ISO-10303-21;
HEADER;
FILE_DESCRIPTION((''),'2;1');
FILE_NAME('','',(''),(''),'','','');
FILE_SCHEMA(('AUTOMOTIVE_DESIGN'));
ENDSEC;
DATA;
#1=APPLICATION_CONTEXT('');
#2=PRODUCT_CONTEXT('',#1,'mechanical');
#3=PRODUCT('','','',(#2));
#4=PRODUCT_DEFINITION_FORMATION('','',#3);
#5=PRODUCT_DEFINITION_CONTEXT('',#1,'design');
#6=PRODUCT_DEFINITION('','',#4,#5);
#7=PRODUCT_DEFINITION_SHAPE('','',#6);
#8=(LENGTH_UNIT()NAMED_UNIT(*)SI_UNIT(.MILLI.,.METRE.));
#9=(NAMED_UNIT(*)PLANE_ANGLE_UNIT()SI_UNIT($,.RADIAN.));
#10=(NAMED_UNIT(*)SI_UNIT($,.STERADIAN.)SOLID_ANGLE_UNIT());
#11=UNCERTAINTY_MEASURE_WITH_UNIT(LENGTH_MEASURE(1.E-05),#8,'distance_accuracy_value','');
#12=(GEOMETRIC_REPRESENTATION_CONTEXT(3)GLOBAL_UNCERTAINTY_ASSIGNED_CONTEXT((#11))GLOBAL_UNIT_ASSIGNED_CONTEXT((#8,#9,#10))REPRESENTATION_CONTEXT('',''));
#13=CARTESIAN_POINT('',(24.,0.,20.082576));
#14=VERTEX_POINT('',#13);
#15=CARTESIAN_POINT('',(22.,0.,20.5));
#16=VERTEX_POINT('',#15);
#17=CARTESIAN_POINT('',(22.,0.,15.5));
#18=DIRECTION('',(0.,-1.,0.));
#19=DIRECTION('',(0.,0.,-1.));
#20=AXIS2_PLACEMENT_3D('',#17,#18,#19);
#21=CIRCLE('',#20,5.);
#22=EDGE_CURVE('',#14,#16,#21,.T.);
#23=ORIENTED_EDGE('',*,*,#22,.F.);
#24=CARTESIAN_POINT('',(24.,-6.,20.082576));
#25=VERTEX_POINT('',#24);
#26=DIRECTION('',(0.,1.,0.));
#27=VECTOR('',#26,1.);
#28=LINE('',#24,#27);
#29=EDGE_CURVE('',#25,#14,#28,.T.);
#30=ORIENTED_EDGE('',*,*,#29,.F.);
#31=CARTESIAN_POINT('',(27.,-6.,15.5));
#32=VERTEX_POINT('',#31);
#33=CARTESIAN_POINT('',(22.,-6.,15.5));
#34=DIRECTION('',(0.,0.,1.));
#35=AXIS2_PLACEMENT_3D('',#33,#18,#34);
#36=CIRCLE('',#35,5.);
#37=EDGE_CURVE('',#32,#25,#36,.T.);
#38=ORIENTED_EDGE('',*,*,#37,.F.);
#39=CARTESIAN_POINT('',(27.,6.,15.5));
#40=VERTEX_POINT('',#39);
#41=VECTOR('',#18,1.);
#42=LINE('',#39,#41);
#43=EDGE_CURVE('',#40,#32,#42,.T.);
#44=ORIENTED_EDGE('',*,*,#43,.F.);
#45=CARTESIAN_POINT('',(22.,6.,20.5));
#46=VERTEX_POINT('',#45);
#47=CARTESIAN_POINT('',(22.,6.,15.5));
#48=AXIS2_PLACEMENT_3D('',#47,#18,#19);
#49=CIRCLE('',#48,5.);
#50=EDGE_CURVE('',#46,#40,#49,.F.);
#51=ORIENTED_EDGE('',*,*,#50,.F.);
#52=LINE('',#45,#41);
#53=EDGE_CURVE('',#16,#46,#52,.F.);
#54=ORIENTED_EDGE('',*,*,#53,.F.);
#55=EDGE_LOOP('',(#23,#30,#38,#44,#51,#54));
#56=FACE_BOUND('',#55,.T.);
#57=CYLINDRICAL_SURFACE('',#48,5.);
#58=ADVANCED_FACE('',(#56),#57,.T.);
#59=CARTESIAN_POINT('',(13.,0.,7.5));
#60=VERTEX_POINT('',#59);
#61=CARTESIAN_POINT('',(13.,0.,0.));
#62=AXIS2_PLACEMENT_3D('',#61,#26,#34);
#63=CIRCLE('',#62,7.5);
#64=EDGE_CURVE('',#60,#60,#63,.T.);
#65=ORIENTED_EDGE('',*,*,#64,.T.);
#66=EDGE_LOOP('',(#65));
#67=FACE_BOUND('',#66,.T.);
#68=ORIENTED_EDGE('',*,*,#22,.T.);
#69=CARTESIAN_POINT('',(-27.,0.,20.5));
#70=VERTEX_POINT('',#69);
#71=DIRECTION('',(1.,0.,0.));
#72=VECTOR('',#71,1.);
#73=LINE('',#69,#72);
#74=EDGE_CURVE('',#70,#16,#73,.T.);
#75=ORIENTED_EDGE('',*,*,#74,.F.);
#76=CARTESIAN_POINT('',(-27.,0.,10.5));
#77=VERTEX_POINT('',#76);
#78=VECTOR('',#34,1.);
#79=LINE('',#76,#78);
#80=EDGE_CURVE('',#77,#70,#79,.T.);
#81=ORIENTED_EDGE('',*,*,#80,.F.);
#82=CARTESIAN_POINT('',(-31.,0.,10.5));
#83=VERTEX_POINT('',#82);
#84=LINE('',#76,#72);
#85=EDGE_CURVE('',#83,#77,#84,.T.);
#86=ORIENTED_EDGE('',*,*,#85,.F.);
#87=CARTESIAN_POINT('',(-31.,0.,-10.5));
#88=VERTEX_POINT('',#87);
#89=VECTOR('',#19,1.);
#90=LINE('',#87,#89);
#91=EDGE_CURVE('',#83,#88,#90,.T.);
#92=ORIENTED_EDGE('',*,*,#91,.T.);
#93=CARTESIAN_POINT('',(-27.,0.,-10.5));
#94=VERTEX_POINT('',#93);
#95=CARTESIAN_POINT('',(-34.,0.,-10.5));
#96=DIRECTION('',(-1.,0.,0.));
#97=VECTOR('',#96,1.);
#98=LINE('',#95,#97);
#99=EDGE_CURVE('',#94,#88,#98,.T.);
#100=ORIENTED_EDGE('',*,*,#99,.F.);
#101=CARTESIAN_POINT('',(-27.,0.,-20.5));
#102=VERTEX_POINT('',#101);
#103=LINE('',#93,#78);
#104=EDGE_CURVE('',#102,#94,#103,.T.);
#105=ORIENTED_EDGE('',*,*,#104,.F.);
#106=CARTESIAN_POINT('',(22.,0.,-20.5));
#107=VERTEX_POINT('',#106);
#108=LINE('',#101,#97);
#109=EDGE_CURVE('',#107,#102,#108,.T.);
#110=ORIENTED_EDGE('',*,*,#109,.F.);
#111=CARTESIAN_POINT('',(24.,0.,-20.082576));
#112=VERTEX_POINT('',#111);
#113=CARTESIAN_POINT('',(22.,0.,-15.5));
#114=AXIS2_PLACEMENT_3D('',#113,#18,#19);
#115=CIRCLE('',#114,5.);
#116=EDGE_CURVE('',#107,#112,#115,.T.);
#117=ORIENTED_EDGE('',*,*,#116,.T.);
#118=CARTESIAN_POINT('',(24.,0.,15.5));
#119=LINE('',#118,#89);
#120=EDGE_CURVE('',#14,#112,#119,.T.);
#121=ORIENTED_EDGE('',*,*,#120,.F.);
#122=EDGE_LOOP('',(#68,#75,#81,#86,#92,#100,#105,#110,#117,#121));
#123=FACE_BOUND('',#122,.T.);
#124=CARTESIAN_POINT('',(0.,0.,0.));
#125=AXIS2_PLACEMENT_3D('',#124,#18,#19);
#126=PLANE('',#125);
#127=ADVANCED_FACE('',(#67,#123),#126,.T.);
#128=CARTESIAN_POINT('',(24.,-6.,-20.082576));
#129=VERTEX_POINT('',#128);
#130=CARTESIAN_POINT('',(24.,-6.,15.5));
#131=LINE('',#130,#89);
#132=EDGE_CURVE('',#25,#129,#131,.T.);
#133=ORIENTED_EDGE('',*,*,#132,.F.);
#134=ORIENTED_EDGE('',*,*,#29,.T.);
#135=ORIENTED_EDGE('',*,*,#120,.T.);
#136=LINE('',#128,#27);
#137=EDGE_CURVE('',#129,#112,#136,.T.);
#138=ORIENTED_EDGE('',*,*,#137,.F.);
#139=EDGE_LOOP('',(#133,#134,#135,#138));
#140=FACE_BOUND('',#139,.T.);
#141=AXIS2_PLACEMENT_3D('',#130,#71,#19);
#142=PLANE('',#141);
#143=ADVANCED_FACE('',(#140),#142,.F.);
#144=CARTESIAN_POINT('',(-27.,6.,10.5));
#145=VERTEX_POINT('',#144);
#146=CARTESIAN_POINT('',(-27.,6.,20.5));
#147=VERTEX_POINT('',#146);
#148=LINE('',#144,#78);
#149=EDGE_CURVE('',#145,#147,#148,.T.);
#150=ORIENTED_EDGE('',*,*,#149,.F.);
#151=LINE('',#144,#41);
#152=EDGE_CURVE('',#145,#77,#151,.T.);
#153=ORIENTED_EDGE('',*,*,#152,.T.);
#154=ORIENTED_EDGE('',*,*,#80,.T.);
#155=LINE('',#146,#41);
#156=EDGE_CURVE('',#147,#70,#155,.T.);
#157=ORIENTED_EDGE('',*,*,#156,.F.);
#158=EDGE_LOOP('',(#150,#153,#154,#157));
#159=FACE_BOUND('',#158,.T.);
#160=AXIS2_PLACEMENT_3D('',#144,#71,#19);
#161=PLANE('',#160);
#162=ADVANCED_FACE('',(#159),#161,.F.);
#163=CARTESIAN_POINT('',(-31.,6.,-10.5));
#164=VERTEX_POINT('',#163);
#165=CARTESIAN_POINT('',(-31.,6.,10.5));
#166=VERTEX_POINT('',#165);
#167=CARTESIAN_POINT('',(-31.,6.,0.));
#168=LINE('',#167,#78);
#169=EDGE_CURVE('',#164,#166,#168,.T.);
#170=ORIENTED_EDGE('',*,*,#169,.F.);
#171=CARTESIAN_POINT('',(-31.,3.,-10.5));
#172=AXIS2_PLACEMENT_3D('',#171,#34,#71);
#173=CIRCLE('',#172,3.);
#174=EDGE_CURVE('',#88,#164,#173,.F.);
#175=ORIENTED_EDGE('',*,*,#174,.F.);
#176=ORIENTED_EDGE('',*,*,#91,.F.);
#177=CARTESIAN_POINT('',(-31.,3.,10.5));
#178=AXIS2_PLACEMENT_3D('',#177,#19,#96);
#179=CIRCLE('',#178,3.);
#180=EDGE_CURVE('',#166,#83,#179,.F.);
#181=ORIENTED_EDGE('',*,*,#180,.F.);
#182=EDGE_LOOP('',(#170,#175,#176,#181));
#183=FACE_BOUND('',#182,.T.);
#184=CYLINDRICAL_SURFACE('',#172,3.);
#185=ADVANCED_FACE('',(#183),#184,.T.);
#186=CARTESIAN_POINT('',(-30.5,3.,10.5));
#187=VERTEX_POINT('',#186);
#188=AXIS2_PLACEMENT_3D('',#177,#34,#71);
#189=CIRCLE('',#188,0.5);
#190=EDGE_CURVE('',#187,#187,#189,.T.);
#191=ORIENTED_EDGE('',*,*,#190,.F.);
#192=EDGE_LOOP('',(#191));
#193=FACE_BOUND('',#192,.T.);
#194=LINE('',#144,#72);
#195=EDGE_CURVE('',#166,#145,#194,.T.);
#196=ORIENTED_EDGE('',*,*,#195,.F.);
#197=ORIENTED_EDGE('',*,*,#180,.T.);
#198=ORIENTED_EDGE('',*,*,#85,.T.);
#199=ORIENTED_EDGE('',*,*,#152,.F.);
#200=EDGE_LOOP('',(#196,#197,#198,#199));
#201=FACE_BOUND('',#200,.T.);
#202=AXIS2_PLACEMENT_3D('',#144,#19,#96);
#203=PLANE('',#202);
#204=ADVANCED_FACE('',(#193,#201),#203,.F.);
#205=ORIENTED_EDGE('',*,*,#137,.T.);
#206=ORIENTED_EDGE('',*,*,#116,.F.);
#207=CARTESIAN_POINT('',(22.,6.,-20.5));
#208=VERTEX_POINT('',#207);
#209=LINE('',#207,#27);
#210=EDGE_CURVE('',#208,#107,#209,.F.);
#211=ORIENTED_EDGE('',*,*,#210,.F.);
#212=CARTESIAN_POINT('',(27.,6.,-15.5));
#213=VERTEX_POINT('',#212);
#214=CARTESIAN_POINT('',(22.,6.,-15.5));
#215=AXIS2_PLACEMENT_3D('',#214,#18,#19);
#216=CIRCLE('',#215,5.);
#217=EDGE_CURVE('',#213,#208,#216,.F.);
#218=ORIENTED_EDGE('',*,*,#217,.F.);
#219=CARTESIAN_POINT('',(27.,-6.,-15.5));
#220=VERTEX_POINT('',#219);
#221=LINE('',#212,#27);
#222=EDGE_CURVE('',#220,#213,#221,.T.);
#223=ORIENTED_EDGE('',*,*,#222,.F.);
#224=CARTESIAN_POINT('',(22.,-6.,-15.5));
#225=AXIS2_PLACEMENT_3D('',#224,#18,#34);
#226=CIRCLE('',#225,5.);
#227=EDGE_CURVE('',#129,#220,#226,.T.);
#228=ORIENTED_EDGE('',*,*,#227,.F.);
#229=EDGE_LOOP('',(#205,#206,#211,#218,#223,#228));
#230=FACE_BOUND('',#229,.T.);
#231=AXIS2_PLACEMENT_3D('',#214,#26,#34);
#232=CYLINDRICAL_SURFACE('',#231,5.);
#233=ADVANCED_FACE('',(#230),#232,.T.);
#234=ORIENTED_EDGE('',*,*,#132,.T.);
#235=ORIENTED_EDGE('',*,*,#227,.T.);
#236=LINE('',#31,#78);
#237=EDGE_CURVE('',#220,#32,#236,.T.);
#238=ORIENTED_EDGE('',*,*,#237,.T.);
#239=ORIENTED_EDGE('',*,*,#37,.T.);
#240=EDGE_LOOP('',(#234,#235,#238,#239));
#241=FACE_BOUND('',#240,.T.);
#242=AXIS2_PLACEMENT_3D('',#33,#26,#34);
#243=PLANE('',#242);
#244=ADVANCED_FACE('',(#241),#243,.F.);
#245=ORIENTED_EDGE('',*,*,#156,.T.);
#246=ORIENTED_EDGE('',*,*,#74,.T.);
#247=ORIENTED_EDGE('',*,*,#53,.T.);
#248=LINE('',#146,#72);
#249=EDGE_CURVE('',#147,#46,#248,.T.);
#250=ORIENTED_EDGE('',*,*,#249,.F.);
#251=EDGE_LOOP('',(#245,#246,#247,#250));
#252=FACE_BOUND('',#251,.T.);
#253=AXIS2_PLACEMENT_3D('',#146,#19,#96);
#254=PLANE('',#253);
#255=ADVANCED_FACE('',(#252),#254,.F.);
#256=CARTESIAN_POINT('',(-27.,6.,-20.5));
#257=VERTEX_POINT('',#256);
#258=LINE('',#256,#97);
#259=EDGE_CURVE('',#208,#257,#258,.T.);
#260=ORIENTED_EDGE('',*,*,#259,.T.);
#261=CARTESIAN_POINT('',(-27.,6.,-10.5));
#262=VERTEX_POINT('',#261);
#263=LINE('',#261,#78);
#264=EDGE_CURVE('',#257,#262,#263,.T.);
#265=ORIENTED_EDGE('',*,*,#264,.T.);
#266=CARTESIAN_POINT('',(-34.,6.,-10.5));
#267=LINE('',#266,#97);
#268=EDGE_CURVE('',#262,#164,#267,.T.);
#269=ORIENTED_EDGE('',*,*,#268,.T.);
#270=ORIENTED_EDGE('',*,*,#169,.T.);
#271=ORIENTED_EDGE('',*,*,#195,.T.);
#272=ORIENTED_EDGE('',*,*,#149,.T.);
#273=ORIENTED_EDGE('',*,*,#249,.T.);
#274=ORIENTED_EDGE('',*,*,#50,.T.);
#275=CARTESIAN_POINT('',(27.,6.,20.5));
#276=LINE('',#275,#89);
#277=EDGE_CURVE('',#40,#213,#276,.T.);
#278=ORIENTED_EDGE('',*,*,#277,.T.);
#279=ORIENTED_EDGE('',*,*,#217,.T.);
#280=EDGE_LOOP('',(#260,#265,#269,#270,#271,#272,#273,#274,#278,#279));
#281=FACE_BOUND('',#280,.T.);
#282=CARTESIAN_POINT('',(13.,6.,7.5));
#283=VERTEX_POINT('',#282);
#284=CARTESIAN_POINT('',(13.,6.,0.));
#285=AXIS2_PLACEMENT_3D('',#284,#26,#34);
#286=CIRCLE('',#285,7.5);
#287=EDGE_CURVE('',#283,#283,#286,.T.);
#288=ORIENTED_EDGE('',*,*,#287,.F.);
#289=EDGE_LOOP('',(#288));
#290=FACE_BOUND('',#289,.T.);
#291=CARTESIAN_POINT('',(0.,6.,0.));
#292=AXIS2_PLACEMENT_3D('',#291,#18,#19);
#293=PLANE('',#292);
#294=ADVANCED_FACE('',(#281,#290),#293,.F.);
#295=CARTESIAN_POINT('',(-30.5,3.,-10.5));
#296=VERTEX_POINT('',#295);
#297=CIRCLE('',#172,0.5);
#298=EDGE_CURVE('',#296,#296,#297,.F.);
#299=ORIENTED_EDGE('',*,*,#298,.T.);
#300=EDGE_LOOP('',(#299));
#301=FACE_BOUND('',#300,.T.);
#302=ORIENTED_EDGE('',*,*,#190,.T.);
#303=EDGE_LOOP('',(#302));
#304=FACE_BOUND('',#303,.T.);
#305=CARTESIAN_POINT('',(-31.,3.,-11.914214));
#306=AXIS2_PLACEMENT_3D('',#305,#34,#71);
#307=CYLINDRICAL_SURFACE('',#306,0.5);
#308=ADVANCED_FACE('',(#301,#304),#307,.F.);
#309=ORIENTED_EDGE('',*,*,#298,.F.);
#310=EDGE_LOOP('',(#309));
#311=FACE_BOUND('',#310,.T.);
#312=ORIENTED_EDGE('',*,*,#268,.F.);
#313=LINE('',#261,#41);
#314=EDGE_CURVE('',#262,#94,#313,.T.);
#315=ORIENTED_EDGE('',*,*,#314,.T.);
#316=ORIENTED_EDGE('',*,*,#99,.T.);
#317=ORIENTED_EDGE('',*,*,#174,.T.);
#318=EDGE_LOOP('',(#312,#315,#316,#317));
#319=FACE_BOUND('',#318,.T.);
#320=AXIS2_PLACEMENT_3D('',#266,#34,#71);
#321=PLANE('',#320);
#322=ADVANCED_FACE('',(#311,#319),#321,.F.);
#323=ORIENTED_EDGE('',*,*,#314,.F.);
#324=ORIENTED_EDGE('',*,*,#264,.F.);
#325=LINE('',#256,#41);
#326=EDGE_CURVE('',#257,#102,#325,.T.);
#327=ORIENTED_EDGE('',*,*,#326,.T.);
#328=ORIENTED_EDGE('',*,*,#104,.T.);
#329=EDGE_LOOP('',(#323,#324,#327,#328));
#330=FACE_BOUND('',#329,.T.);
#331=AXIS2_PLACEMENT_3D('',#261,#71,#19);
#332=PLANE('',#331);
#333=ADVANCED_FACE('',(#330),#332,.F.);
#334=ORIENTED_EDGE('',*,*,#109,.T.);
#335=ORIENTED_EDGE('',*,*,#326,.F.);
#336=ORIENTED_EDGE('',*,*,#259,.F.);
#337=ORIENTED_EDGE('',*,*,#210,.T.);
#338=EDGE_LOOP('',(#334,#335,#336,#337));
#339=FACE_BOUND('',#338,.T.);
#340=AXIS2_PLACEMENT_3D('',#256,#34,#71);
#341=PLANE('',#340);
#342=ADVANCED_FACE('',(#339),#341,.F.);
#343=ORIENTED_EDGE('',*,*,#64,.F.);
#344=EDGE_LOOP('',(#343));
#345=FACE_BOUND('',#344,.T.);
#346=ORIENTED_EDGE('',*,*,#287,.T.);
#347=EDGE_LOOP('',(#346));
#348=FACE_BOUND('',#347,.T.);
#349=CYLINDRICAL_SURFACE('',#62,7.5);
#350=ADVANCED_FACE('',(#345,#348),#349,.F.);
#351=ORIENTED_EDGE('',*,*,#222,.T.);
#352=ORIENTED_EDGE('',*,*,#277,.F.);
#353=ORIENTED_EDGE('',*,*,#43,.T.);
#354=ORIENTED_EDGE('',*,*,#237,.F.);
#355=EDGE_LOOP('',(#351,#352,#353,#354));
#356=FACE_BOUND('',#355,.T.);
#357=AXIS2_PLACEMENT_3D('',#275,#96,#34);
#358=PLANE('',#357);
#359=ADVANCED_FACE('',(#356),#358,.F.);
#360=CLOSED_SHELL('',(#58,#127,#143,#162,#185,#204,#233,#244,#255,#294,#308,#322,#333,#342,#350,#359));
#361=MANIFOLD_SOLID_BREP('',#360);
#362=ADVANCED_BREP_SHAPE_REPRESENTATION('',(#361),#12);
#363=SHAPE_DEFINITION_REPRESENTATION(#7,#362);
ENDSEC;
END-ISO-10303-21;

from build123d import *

# Parameters (mm, degrees)
EXTRUDE_1_DEPTH     = 6
FILLET_1_RADIUS     = 3
FILLET_1_LENGTH     = 21
SKETCH_2_R          = 7.5
CUT_EXTRUDE_1_DEPTH = 6
FILLET_2_R          = 5
FILLET_3_R          = 5
EXTRUDE_2_DEPTH     = 6
SKETCH_4_R          = 0.5
CUT_EXTRUDE_2_DEPTH = 21


with BuildPart() as part:
    # Эскиз1 → Бобышка-Вытянуть1 (new body)
    with BuildSketch(Plane(origin=(0, 0, 0), x_dir=(1, 0, 0), z_dir=(0, 1, 0))):
        Polygon((-27, -20.5), (27, -20.5), (27, 20.5), (-27, 20.5), (-27, 10.5), (-34, 10.5), (-34, -10.5), (-27, -10.5), align=None)
    extrude(amount=EXTRUDE_1_DEPTH)

    # Скругление1: full round fillet: the end face becomes a half cylinder, R = half its width
    fillet_1_face = Plane((-34, 3, 0), x_dir=(0, 0, -1), z_dir=(-1, 0, 0))  # on the end face: x along it, z out of the body
    fillet_1_slab = fillet_1_face.offset(-FILLET_1_RADIUS / 2) * Box(FILLET_1_LENGTH, 2 * FILLET_1_RADIUS, FILLET_1_RADIUS, mode=Mode.PRIVATE)  # the body's end, R deep
    fillet_1_round = Plane((-31, 3, 0), x_dir=(-1, 0, 0), z_dir=(0, 0, -1)) * Cylinder(FILLET_1_RADIUS, FILLET_1_LENGTH, mode=Mode.PRIVATE)  # its axis R under the face
    add(fillet_1_slab - fillet_1_round, mode=Mode.SUBTRACT)

    # Эскиз2 → Вырез-Вытянуть1 (cut)
    with BuildSketch(Plane(origin=(0, 6, 0), x_dir=(1, 0, 0), z_dir=(0, 1, 0))):
        with Locations(Location((13, 0, 0), (0, 0, 270))):
            Circle(SKETCH_2_R)
    extrude(amount=-CUT_EXTRUDE_1_DEPTH, mode=Mode.SUBTRACT)

    # Скругление2
    fillet_2_edges = [part.edges().sort_by_distance(p)[0] for p in [
        (27, 3, -20.5),
    ]]
    fillet(fillet_2_edges, radius=FILLET_2_R)

    # Скругление3
    fillet_3_edges = [part.edges().sort_by_distance(p)[0] for p in [
        (27, 3, 20.5),
    ]]
    fillet(fillet_3_edges, radius=FILLET_3_R)

    # Эскиз3 → Бобышка-Вытянуть2 (add)
    with BuildSketch(Plane.XZ):
        with BuildLine():
            Line((24, 15.5), (24, -20.082575695))
            ThreePointArc((24, -20.082575695), (26.183300133, -18.238612788), (27, -15.5))
            Line((27, -15.5), (27, 15.5))
            ThreePointArc((27, 15.5), (26.183300133, 18.238612788), (24, 20.082575695))
            Line((24, 20.082575695), (24, 15.5))
        make_face()
    extrude(amount=EXTRUDE_2_DEPTH)

    # Эскиз4 → Вырез-Вытянуть2 (cut)
    with BuildSketch(Plane.XY.offset(10.5)):
        with Locations((-31, 3)):
            Circle(SKETCH_4_R)
    extrude(amount=-CUT_EXTRUDE_2_DEPTH, mode=Mode.SUBTRACT)


solid = part.part
